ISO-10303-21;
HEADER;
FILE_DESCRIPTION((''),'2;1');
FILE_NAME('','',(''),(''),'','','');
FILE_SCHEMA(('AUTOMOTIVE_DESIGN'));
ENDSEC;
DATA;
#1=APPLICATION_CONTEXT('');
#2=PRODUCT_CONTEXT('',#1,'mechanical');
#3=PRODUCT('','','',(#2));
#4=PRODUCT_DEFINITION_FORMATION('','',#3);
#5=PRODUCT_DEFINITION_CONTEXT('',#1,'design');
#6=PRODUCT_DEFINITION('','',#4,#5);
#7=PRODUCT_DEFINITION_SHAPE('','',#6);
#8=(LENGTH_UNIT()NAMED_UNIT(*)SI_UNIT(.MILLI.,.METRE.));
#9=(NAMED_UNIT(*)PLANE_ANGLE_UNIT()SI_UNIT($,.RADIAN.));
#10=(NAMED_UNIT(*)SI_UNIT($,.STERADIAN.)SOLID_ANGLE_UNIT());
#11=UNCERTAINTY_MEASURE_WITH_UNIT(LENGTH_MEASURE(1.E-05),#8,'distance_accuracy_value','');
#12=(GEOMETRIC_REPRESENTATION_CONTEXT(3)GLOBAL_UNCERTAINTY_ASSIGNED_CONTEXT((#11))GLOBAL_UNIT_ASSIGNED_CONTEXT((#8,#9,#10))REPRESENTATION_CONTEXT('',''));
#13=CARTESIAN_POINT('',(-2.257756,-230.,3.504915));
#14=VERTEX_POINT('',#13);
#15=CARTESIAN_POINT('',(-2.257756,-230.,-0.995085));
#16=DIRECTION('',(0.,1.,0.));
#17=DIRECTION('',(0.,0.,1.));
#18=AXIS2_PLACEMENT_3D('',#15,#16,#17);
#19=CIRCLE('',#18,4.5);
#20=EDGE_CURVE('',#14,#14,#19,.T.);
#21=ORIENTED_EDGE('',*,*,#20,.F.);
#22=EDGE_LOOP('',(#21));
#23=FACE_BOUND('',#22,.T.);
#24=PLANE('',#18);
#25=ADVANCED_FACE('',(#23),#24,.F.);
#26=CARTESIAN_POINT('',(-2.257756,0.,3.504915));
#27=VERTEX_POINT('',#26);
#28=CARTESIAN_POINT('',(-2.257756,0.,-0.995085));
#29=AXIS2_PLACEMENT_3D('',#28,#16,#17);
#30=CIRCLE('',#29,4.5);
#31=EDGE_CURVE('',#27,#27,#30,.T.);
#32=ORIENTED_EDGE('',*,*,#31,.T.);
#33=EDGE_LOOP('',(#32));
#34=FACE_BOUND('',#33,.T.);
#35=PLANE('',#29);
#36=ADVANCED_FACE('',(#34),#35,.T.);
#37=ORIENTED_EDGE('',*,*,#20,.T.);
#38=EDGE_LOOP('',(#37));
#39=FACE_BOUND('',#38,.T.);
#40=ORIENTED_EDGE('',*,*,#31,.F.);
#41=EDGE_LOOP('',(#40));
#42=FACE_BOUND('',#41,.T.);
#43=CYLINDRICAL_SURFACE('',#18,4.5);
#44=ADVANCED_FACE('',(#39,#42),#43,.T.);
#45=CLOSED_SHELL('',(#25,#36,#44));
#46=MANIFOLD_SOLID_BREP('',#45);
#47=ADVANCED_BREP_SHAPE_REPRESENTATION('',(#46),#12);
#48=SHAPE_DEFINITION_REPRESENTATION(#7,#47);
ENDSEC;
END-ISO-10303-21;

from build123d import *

# Parameters (mm, degrees)
SKETCH2_R           = 4.5
BOSS_EXTRUDE1_DEPTH = 230


with BuildPart() as part:
    # Sketch2 → Boss-Extrude1 (new body)
    with BuildSketch(Plane(origin=(0, 0, 0), x_dir=(1, 0, 0), z_dir=(0, 1, 0))):
        with Locations((-2.257755969, 0.995085038)):
            Circle(SKETCH2_R)
    extrude(amount=-BOSS_EXTRUDE1_DEPTH)


solid = part.part
